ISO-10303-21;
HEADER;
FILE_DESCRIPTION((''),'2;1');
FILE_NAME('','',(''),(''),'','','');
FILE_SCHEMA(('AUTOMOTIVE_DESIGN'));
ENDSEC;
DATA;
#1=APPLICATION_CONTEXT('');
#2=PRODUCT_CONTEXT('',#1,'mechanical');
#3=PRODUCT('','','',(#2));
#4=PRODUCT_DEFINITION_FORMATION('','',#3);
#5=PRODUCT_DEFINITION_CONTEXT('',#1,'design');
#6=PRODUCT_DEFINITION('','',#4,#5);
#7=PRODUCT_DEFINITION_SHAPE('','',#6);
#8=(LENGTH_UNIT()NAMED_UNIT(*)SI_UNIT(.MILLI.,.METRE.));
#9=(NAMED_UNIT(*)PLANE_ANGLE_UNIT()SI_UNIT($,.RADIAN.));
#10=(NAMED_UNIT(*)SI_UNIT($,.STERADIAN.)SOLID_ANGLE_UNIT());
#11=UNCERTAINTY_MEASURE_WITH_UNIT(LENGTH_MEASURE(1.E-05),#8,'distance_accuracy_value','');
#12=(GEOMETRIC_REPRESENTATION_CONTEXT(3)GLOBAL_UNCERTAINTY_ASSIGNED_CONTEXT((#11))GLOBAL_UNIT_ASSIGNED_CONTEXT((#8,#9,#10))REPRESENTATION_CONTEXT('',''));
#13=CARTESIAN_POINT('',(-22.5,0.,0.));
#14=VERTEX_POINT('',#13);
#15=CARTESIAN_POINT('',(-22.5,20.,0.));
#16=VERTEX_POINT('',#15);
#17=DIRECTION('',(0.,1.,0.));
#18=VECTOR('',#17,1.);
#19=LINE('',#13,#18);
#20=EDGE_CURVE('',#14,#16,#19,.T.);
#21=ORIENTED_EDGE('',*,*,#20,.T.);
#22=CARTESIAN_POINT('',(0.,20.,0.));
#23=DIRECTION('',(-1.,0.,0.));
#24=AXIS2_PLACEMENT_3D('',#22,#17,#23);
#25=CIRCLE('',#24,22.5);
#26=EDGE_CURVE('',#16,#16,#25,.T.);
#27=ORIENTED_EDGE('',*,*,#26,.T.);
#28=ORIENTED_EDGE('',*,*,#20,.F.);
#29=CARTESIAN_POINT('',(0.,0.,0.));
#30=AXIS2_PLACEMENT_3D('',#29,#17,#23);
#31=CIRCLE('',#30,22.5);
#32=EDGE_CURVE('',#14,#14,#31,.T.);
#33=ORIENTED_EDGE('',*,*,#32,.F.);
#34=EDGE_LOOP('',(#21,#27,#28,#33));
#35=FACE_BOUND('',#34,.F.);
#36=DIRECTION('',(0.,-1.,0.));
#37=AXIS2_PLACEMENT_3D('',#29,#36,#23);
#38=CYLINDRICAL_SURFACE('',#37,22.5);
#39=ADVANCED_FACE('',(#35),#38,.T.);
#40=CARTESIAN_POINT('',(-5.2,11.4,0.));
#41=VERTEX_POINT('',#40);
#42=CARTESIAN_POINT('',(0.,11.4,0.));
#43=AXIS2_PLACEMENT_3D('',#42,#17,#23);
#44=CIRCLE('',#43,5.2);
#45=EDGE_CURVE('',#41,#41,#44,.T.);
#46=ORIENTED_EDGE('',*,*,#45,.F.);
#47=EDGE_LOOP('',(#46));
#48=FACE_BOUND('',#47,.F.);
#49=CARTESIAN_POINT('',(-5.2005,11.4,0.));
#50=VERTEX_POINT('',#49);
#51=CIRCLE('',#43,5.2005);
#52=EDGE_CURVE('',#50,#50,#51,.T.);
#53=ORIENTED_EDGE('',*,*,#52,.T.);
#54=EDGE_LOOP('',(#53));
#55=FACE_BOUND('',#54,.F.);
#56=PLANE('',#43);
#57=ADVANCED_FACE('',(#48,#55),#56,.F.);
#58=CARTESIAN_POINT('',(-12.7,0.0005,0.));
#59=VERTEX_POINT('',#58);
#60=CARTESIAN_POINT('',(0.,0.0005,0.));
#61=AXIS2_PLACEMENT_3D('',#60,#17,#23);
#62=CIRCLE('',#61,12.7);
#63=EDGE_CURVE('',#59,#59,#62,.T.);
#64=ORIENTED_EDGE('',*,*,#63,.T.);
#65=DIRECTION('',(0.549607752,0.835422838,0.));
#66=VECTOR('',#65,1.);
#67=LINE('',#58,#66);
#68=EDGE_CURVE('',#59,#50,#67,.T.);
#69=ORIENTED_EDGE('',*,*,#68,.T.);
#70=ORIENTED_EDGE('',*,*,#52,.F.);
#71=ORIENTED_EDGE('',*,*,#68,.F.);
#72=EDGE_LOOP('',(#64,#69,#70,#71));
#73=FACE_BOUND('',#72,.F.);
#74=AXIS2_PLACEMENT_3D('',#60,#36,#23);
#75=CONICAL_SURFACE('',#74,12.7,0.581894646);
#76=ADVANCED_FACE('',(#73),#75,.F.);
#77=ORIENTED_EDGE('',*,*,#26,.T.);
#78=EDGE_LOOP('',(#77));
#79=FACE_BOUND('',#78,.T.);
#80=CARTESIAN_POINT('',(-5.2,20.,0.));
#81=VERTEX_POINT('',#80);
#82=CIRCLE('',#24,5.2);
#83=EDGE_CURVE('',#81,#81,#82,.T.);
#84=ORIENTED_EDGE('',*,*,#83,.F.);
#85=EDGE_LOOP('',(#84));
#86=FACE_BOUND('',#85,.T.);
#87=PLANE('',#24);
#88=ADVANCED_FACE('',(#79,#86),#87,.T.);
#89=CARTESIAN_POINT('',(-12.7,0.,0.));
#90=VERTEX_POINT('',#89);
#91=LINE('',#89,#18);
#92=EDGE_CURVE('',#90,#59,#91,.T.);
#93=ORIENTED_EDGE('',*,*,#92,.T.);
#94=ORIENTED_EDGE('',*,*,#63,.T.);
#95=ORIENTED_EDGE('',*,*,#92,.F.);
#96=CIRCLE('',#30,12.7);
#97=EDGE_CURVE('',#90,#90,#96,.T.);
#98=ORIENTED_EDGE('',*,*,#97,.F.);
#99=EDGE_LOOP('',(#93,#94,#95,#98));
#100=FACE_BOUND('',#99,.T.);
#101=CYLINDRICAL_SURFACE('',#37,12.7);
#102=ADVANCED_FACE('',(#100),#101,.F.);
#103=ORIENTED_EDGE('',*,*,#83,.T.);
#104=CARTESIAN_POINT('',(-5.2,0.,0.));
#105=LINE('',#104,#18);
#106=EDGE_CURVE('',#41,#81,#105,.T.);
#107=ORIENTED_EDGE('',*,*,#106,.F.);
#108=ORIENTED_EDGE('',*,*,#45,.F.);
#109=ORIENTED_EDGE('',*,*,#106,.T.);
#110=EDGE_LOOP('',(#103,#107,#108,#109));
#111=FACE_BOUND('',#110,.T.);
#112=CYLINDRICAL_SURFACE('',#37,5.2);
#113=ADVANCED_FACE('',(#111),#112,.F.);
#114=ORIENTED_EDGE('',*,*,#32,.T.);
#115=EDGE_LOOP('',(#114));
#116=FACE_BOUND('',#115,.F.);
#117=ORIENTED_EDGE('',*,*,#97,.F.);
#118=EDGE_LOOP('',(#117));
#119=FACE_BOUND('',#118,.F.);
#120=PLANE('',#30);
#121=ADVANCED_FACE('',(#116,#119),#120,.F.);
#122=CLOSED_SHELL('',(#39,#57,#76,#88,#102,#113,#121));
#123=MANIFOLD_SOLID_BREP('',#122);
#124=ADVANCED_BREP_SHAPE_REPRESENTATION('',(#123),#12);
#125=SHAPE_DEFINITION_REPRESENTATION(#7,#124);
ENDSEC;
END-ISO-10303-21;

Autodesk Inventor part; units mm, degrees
ref_plane "YZ Plane" through (0, 0, 0) normal (1, 0, 0) x (0, 1, 0)
ref_plane "XZ Plane" through (0, 0, 0) normal (0, 1, 0) x (-1, 0, 0)
ref_plane "XY Plane" through (0, 0, 0) normal (0, 0, 1) x (1, 0, 0)
sketch "Sketch1" plane through (0, 0, 0) normal (0, 1, 0) x (-1, 0, 0)
  circle A0 centre (0, 0) radius 22.5
  circle A1 centre (0, 0) radius 12.7
  circle A2 centre (0, 0) radius 5.2
  dimension "d1" = 45
  dimension "d14" = 25.4
  dimension "d15" = 10.4
extrude "Extrusion1" add sketch "Sketch1" along normal blind 20 contours A0 | A1 | A2
extrude "Extrusion2" cut sketch "Sketch1" along normal blind 11.4 contours A1
extrude "Extrusion3" cut sketch "Sketch1" along normal blind 20 contours A2
chamfer "Chamfer2" distance 11.4 distance2 7.5 1 edges at (12.7, 11.4, 0) measured on face at (-12.5355, 7.6, -2.0372)
properties part number "4. ring"
